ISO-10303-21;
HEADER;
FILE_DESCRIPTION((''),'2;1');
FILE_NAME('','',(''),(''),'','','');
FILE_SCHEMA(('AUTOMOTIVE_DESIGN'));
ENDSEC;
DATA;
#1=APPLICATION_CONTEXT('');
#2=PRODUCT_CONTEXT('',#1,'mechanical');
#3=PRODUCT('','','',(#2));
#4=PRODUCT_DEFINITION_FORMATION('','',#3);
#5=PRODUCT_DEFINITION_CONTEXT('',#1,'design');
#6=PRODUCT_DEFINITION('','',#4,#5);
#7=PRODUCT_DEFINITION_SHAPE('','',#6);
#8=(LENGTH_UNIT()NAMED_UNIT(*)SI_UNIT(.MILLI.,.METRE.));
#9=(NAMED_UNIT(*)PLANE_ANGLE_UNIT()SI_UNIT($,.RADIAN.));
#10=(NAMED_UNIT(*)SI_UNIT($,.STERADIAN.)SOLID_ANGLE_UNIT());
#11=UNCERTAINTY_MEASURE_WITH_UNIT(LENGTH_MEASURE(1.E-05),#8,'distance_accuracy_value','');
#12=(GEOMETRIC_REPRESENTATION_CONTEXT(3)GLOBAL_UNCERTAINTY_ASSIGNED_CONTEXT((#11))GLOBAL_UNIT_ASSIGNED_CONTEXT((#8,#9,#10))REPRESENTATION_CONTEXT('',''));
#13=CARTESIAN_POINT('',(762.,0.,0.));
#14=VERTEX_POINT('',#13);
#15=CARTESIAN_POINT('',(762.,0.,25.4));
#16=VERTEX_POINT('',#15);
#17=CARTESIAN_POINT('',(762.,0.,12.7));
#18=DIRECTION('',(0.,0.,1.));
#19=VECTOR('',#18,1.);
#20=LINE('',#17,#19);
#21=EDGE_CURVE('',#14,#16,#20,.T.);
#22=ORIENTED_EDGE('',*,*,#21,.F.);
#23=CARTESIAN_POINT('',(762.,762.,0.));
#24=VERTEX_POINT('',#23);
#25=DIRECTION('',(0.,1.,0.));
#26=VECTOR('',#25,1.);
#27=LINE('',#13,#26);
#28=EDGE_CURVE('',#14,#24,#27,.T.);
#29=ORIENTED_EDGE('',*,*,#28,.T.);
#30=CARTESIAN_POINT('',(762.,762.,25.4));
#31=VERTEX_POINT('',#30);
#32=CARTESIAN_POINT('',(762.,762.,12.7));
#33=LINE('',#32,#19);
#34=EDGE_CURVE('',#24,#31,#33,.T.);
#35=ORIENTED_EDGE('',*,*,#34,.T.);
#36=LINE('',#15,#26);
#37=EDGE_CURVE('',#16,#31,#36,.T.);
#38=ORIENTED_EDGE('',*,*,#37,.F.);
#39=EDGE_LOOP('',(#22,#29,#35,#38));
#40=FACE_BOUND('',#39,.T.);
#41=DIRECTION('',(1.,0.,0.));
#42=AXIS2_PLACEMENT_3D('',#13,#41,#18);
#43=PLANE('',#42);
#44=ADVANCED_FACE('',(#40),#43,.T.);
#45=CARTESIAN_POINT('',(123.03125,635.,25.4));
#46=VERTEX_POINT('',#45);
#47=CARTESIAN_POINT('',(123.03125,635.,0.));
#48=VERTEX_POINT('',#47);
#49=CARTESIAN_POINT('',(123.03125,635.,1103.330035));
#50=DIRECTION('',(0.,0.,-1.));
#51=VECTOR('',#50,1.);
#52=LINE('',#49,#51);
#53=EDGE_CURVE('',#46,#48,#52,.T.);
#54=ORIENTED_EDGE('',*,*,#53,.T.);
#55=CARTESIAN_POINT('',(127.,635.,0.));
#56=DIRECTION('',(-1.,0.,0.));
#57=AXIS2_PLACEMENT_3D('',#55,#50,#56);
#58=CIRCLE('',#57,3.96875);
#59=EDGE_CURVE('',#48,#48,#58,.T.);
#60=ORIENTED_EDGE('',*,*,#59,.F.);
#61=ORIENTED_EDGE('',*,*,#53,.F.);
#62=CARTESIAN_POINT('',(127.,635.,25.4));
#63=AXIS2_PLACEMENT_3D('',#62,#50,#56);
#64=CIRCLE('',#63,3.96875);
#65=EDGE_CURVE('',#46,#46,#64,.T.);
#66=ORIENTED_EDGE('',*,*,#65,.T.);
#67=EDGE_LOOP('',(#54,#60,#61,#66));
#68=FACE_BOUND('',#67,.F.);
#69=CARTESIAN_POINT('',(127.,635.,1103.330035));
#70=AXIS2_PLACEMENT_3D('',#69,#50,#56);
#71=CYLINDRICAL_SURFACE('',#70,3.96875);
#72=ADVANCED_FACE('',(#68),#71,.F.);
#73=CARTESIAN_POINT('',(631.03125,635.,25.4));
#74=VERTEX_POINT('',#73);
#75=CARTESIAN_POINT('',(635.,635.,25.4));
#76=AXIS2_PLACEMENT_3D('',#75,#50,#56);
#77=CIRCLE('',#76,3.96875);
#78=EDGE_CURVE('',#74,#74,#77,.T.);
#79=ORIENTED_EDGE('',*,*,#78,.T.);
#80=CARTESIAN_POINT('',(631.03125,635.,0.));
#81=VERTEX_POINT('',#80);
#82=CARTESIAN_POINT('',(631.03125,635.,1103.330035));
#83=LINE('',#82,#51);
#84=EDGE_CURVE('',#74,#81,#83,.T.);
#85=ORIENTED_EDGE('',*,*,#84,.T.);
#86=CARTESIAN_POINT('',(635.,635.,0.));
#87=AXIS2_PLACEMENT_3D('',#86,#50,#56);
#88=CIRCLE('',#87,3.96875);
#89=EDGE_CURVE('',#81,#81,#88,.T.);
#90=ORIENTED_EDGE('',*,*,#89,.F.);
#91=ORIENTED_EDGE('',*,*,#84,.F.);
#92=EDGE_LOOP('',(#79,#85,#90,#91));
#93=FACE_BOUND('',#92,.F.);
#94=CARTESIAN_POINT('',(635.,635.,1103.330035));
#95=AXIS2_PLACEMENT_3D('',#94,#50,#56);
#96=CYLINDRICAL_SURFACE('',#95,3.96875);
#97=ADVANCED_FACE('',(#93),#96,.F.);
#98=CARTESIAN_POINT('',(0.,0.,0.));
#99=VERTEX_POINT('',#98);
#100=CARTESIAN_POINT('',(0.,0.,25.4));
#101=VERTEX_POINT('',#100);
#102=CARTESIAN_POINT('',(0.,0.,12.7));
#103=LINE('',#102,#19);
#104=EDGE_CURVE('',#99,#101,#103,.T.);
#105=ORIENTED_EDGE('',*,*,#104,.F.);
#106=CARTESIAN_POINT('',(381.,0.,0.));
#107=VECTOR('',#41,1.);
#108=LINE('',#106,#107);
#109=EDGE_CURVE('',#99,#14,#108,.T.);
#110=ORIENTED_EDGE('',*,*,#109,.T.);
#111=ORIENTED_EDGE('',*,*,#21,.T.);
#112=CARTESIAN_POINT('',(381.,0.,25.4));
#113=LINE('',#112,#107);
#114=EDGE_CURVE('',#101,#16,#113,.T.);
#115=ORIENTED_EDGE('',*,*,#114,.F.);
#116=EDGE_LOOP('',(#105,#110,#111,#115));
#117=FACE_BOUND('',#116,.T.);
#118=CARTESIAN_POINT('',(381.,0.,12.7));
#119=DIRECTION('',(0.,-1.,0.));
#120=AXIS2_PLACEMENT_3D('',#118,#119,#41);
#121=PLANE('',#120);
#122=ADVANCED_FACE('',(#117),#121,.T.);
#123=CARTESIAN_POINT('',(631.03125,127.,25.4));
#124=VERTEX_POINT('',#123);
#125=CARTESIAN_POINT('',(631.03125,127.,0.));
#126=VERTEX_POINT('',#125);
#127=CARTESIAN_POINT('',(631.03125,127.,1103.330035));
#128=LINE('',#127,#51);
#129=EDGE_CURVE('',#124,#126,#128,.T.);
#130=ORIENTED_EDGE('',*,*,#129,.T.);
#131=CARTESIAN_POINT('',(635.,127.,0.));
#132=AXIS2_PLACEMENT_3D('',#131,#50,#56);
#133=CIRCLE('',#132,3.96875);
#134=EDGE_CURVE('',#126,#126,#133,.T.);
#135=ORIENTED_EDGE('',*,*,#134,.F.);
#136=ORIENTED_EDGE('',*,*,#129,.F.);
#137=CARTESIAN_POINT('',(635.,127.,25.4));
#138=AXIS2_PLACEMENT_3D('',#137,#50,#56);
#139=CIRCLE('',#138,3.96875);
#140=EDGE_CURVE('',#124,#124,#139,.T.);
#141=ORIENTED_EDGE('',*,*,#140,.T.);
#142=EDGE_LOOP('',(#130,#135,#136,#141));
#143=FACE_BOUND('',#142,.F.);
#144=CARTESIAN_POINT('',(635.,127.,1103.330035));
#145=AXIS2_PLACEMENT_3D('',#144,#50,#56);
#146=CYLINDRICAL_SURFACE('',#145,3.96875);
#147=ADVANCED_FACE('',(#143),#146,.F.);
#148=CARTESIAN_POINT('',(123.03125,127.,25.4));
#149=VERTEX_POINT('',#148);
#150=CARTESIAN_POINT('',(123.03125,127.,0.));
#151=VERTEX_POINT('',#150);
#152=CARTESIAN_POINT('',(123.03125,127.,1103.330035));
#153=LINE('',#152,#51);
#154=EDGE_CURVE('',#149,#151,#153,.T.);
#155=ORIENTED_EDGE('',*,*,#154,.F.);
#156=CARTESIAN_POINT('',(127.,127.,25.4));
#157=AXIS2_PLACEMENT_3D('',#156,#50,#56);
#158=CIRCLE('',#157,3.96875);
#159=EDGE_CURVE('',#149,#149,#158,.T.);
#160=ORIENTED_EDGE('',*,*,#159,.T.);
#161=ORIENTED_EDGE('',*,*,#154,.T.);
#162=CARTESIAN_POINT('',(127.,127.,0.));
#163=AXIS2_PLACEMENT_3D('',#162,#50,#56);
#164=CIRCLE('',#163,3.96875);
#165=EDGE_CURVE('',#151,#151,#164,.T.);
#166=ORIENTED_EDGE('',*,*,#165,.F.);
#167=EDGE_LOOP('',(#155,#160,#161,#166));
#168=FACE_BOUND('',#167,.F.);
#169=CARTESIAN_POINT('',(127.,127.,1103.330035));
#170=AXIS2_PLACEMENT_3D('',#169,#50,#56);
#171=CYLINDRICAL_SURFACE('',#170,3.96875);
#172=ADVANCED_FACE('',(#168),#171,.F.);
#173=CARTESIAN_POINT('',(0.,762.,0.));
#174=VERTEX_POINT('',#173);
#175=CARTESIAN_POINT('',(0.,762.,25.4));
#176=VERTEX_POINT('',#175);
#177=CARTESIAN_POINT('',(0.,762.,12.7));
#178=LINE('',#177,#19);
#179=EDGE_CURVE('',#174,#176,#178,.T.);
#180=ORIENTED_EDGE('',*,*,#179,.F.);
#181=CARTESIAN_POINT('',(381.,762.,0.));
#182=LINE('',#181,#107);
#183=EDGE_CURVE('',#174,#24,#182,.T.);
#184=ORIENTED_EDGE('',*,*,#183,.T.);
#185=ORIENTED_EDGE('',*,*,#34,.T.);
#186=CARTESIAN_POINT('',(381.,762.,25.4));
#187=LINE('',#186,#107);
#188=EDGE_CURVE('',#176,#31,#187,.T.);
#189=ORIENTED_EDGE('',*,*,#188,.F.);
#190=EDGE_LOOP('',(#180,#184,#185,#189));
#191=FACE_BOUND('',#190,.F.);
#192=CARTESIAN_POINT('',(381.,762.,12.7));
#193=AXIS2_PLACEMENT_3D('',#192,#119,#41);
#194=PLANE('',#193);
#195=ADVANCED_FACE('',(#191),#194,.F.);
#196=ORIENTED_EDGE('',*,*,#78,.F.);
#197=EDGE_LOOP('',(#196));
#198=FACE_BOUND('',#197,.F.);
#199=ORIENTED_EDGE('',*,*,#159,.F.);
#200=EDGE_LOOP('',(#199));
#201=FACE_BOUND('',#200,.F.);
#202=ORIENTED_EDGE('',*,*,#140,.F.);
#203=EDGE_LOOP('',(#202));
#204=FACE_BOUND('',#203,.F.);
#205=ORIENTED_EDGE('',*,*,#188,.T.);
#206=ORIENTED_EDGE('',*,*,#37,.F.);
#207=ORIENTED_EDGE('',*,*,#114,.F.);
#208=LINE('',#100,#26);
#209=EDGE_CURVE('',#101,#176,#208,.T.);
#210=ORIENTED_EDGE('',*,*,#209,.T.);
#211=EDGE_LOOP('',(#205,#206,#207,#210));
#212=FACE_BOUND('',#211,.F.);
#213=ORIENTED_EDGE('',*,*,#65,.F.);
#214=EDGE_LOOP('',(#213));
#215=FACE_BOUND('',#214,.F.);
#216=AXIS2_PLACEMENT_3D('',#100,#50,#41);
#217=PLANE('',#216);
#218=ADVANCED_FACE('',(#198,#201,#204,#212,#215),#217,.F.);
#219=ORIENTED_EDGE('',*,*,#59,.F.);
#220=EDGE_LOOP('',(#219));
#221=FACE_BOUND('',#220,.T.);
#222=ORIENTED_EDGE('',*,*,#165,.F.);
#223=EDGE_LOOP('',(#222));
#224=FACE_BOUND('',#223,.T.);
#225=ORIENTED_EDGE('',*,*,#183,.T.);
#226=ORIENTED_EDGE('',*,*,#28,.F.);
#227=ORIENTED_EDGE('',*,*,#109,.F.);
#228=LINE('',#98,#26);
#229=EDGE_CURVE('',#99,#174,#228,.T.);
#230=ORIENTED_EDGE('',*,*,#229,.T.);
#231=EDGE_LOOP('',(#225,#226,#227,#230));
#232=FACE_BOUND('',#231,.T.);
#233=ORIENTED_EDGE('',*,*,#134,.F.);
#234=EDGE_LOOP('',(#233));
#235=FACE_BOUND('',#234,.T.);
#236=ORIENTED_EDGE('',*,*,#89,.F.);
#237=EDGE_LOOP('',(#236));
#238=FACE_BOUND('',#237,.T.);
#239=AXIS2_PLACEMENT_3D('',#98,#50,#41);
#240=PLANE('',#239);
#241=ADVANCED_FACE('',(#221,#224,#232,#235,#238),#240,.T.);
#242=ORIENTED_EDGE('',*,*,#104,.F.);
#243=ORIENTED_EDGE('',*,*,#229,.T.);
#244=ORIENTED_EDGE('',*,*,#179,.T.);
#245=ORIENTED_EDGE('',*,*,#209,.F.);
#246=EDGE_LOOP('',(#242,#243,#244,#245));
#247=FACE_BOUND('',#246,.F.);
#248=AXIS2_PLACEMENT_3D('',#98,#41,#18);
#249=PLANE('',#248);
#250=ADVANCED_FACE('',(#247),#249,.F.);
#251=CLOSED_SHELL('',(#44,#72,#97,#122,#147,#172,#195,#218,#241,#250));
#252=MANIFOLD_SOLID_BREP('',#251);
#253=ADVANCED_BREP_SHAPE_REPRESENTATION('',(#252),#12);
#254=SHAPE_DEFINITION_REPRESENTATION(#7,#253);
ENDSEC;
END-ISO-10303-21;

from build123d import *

# Parameters (mm, degrees)
F0_W     = 762
F0_H     = 25.4
F1_DEPTH = 762
F3_D     = 7.9375


with BuildPart() as f1:
    # F0 (on Front) → F1 (new body)
    with BuildSketch(Plane.XZ):
        with Locations((381, 12.7)):
            Rectangle(F0_W, F0_H)
    extrude(amount=-F1_DEPTH)

    # F3 (through all)
    with Locations(Plane.XY.offset(25.4)):
        with Locations((635, 127), (635, 635), (127, 127), (127, 635)):
            Hole(F3_D / 2)


solid = f1.part
